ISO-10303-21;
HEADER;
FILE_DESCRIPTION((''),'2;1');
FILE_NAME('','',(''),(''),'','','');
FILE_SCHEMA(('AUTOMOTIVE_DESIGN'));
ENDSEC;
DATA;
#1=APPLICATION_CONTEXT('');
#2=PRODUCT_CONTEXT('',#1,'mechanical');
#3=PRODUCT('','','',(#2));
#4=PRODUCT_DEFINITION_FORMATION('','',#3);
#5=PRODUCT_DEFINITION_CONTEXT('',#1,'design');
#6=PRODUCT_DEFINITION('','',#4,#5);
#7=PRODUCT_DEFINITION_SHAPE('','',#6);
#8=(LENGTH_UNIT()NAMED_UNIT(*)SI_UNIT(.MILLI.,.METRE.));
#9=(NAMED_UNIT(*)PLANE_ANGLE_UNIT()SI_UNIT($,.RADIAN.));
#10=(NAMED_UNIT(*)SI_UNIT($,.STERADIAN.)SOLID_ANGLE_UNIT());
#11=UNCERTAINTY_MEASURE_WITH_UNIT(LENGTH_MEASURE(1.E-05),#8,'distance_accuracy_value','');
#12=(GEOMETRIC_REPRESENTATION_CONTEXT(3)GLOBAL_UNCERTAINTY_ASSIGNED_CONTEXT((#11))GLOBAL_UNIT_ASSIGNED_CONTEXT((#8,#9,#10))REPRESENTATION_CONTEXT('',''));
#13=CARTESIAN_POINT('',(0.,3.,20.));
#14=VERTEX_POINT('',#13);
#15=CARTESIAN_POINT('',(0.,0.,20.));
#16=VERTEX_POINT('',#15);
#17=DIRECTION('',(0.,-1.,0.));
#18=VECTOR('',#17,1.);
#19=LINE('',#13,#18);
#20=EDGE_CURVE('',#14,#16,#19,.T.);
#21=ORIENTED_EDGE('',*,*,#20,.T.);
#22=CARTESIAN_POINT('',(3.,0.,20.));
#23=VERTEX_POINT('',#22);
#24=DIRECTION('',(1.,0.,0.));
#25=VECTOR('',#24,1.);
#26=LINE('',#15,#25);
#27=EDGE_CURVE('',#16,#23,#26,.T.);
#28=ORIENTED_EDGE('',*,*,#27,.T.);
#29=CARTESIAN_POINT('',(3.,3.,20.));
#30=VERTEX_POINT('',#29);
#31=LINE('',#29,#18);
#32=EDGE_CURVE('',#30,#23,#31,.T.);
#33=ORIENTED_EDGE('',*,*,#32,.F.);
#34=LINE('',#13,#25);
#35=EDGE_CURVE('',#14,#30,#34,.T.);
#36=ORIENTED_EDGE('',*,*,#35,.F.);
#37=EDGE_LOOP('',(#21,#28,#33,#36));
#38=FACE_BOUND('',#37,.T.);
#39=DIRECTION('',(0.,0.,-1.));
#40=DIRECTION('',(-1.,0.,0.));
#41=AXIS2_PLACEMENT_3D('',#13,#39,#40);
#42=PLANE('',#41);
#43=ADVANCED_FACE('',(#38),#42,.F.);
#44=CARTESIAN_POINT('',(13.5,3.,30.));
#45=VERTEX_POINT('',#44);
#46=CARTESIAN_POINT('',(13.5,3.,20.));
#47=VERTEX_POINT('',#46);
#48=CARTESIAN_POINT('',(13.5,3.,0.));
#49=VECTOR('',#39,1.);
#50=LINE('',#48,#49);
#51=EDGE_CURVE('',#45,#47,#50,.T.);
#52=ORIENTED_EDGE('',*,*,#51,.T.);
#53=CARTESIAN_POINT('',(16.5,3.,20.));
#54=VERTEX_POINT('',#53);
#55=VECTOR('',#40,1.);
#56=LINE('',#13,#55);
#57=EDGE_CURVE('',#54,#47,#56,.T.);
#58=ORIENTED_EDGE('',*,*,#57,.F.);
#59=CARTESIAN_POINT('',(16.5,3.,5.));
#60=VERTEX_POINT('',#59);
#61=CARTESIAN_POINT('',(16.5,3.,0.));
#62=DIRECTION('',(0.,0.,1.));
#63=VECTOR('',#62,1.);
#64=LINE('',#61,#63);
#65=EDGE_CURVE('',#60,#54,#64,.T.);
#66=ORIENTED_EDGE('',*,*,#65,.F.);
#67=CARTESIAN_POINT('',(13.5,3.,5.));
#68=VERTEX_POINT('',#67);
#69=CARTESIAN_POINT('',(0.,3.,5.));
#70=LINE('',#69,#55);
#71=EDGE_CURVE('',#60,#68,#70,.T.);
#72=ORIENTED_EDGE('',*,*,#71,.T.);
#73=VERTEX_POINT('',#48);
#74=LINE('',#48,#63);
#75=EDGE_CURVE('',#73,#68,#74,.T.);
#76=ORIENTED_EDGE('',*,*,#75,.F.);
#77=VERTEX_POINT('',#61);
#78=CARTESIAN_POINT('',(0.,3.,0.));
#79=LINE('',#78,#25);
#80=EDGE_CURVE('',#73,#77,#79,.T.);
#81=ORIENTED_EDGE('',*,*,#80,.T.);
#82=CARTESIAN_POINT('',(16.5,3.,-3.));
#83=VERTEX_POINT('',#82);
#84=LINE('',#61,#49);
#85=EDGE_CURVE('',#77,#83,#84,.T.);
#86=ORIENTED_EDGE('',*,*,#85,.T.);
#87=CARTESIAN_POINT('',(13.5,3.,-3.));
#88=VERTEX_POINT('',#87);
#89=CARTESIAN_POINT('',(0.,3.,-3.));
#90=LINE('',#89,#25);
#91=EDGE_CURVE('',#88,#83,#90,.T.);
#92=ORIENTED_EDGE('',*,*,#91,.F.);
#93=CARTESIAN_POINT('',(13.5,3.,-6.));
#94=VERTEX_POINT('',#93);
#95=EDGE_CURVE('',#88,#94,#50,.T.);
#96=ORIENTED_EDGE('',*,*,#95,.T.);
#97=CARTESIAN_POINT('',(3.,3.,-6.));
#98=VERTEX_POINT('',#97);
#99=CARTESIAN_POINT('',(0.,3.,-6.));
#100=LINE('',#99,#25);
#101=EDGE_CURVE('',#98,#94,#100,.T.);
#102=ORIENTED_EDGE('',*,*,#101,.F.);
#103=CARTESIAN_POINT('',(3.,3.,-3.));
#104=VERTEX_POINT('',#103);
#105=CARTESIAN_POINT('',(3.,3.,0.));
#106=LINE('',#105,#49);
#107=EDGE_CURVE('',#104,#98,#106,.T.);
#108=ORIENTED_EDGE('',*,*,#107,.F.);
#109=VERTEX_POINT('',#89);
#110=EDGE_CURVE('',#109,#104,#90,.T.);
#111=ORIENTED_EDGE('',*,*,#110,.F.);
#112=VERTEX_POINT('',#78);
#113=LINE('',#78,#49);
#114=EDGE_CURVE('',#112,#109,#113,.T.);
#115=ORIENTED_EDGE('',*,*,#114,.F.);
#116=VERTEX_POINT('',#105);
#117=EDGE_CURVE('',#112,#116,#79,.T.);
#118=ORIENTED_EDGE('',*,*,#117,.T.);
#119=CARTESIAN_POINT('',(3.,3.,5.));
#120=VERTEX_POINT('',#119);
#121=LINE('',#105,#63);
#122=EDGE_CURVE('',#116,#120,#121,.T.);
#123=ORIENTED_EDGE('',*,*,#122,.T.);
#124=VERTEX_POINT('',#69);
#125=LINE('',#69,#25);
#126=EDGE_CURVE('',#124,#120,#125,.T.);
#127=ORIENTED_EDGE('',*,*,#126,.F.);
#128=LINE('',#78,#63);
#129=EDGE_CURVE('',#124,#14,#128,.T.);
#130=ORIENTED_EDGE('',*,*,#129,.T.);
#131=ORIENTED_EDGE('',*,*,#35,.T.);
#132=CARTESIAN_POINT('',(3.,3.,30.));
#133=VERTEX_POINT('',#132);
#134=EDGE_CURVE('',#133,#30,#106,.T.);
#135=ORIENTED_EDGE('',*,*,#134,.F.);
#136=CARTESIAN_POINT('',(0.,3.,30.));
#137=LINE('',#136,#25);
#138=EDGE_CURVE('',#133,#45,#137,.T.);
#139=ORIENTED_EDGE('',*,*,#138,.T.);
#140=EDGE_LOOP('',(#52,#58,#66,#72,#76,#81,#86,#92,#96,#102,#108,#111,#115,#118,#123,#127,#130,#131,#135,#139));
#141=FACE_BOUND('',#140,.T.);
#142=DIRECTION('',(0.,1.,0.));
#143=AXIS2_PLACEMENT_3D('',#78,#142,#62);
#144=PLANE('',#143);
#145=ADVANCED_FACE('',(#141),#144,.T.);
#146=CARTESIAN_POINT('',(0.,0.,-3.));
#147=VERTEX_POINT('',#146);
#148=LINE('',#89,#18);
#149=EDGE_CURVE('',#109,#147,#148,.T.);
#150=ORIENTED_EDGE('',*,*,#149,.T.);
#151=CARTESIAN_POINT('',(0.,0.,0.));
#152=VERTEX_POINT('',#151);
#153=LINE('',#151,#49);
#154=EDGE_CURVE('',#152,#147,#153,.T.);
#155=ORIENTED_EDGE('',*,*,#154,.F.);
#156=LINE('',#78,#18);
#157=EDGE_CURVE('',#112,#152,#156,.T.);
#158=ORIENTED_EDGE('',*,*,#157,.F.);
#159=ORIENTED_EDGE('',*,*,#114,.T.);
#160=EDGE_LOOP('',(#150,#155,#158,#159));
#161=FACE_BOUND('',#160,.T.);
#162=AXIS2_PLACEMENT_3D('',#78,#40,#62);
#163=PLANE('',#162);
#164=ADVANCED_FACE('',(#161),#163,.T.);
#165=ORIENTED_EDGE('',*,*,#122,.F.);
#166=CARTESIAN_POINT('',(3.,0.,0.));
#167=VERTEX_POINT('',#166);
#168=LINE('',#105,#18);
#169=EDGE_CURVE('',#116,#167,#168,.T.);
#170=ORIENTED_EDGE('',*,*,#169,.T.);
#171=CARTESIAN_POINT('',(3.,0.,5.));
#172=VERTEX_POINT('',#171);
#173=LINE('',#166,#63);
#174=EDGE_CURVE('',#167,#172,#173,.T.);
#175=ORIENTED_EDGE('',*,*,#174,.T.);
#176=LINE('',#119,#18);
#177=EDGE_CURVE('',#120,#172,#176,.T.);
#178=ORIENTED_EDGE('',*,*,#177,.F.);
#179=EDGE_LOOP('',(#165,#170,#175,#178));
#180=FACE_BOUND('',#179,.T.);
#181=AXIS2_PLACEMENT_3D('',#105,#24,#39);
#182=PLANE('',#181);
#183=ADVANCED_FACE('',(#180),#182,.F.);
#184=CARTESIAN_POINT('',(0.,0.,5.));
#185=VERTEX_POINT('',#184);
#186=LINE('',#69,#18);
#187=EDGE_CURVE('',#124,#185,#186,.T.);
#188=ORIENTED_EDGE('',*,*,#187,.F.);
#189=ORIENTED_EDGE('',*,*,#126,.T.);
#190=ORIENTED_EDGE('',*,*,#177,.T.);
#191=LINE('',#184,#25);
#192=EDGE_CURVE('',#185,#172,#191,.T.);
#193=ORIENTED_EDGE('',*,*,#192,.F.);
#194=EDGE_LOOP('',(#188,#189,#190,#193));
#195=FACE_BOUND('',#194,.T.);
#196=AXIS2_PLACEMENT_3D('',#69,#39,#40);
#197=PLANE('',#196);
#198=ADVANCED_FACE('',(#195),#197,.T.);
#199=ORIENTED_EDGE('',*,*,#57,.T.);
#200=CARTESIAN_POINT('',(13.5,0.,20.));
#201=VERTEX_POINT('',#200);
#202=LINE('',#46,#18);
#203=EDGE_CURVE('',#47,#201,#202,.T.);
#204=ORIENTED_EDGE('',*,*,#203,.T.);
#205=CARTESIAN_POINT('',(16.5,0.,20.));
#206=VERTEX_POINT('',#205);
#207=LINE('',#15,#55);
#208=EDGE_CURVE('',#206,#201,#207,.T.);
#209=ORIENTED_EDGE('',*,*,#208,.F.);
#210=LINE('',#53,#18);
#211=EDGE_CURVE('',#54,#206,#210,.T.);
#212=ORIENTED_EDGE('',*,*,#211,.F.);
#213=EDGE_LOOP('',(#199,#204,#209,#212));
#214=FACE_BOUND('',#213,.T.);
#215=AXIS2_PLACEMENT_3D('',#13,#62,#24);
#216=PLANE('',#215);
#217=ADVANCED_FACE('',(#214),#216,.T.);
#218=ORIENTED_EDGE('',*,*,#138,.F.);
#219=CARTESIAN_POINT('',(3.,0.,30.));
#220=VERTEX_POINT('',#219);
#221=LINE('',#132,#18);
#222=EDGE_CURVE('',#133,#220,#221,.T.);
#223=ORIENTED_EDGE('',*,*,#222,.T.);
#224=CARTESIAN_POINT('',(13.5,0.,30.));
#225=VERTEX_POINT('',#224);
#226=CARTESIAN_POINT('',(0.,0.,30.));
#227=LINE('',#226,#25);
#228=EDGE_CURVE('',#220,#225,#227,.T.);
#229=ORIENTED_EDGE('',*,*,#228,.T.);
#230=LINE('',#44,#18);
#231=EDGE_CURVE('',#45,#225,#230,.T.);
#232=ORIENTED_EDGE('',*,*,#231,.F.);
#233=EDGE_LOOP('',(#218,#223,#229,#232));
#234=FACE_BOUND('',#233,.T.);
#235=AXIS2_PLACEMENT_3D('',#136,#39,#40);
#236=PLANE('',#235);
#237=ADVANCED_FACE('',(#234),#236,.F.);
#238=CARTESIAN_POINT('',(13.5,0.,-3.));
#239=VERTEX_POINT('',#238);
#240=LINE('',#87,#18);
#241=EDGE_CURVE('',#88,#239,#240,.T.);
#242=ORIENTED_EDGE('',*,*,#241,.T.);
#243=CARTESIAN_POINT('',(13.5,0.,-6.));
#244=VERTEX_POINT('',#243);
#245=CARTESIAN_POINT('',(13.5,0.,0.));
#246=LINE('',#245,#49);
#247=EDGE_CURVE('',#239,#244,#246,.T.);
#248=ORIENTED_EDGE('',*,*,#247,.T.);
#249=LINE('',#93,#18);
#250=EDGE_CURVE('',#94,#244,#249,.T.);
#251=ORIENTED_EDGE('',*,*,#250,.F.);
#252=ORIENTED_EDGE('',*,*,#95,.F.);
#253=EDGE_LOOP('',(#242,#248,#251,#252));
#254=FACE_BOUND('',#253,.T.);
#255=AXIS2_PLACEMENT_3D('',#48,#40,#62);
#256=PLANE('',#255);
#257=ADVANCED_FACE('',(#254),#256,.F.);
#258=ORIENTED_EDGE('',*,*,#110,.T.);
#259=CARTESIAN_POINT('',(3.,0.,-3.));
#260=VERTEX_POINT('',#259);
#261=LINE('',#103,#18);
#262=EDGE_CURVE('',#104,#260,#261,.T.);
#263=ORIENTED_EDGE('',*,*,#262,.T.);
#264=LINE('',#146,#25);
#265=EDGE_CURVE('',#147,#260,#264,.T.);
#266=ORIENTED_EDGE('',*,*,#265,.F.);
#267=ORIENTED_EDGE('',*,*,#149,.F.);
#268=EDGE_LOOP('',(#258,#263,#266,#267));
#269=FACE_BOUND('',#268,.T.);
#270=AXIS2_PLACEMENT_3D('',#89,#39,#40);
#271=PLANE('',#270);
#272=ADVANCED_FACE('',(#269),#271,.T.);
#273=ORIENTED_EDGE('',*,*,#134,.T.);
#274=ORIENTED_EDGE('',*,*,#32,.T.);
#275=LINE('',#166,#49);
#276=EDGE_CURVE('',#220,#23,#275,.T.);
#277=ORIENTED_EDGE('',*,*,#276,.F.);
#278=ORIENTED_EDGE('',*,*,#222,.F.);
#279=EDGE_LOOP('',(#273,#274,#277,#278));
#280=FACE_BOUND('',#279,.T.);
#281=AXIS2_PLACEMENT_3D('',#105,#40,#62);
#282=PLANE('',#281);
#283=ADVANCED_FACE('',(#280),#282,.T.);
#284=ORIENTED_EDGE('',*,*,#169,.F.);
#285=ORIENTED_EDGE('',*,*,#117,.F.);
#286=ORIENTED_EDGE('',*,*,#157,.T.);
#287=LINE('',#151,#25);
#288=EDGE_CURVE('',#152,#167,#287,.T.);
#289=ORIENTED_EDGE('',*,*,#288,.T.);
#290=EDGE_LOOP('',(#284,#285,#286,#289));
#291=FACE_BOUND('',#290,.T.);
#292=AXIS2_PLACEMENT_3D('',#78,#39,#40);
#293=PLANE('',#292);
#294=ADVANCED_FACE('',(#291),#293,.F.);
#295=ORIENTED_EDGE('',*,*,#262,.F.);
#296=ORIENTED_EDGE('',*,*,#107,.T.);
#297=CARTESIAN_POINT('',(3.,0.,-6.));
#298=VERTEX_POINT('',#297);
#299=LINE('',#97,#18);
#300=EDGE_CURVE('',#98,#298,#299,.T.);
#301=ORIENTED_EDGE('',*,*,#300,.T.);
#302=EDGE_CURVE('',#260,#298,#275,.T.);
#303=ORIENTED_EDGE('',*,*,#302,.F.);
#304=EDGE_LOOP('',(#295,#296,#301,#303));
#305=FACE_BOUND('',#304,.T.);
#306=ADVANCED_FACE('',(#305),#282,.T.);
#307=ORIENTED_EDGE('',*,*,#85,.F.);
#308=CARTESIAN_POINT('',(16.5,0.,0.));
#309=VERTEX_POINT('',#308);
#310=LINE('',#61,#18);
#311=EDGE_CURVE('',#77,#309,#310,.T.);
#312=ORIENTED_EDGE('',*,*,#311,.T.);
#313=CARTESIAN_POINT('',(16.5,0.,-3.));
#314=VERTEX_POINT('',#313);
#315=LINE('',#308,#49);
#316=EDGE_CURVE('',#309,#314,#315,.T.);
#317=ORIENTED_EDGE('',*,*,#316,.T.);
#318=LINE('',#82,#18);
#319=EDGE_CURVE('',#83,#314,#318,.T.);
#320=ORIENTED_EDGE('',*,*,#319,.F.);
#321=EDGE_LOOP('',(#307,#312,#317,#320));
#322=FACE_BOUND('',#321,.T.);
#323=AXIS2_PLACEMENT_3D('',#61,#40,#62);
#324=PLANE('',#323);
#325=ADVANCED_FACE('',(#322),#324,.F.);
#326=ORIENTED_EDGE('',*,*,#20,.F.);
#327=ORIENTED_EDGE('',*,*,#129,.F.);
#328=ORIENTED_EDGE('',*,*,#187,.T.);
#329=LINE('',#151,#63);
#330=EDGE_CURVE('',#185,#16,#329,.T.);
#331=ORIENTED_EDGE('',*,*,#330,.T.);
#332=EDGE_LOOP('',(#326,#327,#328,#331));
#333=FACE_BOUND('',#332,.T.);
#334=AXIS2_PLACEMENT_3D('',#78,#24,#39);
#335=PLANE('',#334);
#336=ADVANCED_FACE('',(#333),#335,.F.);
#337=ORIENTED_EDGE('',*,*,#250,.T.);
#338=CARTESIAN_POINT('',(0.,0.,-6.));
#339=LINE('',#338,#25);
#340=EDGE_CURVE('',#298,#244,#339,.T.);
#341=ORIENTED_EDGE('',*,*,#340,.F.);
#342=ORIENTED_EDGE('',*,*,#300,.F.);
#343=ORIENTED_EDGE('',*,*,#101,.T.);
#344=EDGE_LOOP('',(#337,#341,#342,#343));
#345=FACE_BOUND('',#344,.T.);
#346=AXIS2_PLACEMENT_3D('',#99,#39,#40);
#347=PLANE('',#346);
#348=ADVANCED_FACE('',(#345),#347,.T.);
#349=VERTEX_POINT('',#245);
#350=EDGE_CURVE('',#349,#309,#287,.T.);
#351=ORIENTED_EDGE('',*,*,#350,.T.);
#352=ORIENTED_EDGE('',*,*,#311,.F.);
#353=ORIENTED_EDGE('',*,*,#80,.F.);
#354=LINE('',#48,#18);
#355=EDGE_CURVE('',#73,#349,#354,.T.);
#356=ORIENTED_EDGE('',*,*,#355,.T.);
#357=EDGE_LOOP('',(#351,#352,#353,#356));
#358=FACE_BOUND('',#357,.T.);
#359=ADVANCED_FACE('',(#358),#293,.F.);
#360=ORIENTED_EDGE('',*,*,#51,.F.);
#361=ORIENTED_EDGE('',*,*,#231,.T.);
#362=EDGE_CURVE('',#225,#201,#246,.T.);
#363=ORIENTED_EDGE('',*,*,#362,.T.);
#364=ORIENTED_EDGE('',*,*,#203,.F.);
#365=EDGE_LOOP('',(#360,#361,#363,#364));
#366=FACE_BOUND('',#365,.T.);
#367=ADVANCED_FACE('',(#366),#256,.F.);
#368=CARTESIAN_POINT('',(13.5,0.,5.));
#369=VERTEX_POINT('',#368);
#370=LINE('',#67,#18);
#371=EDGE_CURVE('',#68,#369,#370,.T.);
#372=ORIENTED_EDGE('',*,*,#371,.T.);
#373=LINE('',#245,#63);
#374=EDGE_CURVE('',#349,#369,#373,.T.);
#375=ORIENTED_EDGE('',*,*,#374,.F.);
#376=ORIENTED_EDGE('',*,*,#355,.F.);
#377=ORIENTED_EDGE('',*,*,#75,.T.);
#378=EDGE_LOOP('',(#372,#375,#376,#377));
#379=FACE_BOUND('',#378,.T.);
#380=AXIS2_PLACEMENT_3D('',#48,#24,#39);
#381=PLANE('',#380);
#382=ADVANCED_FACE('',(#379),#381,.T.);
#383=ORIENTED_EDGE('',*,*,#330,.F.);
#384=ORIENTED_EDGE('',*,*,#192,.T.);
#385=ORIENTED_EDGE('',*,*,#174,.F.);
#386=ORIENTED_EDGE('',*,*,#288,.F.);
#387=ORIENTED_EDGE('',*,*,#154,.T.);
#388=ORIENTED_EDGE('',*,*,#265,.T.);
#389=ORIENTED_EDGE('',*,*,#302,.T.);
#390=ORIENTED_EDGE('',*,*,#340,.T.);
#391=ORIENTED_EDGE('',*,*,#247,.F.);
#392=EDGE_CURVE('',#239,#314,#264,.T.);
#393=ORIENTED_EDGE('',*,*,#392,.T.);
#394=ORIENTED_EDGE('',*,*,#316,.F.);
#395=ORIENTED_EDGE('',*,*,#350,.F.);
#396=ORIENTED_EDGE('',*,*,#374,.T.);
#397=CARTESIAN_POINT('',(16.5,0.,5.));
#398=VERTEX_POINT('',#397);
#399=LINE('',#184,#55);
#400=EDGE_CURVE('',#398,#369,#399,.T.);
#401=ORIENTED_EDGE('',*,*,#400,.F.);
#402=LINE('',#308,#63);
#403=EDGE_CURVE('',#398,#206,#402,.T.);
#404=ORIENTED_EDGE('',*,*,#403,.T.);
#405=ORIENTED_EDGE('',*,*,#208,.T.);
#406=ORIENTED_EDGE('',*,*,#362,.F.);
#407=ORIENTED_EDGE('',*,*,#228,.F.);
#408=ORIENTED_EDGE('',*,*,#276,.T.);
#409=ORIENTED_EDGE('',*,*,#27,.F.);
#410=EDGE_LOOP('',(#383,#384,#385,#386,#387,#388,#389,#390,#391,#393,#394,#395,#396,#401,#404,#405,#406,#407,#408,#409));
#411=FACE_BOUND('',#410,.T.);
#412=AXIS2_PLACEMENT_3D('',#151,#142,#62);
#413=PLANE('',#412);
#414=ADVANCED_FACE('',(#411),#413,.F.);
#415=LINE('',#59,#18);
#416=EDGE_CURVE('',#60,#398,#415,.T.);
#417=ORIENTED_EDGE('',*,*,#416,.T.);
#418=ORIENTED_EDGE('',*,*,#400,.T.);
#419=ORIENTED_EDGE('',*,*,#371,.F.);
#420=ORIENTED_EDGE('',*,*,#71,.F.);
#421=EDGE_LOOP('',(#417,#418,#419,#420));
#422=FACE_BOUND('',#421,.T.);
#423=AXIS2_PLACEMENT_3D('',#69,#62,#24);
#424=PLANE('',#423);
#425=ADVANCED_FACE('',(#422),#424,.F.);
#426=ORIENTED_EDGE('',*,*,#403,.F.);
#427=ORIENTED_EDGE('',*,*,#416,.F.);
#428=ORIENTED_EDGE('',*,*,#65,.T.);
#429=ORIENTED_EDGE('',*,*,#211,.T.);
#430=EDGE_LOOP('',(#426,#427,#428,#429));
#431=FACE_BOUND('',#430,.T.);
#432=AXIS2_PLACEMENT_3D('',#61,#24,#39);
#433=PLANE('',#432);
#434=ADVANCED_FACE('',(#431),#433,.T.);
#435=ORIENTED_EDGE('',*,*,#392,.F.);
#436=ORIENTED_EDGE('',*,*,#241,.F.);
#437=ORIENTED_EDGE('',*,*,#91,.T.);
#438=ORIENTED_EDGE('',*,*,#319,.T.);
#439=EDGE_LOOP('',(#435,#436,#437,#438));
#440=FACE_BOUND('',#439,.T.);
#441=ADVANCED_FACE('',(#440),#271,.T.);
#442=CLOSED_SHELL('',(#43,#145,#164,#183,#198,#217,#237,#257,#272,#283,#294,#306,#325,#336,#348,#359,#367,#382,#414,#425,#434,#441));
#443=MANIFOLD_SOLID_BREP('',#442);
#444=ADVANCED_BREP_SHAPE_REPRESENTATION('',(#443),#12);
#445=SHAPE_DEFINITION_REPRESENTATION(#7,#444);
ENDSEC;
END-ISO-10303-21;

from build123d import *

# Parameters (mm, degrees)
EXTRUDE_1_DEPTH = 3


with BuildPart() as part:
    # 草图1 → 凸台-拉伸1 (new body)
    with BuildSketch(Plane(origin=(0, 0, 0), x_dir=(1, 0, 0), z_dir=(0, 1, 0))):
        Polygon((3, 0), (3, -5), (0, -5), (0, -20), (3, -20), (3, -30), (13.5, -30), (13.5, -20), (16.5, -20), (16.5, -5), (13.5, -5), (13.5, 0), (16.5, 0), (16.5, 3), (13.5, 3), (13.5, 6), (3, 6), (3, 3), (0, 3), (0, 0), align=None)
    extrude(amount=EXTRUDE_1_DEPTH)


solid = part.part
